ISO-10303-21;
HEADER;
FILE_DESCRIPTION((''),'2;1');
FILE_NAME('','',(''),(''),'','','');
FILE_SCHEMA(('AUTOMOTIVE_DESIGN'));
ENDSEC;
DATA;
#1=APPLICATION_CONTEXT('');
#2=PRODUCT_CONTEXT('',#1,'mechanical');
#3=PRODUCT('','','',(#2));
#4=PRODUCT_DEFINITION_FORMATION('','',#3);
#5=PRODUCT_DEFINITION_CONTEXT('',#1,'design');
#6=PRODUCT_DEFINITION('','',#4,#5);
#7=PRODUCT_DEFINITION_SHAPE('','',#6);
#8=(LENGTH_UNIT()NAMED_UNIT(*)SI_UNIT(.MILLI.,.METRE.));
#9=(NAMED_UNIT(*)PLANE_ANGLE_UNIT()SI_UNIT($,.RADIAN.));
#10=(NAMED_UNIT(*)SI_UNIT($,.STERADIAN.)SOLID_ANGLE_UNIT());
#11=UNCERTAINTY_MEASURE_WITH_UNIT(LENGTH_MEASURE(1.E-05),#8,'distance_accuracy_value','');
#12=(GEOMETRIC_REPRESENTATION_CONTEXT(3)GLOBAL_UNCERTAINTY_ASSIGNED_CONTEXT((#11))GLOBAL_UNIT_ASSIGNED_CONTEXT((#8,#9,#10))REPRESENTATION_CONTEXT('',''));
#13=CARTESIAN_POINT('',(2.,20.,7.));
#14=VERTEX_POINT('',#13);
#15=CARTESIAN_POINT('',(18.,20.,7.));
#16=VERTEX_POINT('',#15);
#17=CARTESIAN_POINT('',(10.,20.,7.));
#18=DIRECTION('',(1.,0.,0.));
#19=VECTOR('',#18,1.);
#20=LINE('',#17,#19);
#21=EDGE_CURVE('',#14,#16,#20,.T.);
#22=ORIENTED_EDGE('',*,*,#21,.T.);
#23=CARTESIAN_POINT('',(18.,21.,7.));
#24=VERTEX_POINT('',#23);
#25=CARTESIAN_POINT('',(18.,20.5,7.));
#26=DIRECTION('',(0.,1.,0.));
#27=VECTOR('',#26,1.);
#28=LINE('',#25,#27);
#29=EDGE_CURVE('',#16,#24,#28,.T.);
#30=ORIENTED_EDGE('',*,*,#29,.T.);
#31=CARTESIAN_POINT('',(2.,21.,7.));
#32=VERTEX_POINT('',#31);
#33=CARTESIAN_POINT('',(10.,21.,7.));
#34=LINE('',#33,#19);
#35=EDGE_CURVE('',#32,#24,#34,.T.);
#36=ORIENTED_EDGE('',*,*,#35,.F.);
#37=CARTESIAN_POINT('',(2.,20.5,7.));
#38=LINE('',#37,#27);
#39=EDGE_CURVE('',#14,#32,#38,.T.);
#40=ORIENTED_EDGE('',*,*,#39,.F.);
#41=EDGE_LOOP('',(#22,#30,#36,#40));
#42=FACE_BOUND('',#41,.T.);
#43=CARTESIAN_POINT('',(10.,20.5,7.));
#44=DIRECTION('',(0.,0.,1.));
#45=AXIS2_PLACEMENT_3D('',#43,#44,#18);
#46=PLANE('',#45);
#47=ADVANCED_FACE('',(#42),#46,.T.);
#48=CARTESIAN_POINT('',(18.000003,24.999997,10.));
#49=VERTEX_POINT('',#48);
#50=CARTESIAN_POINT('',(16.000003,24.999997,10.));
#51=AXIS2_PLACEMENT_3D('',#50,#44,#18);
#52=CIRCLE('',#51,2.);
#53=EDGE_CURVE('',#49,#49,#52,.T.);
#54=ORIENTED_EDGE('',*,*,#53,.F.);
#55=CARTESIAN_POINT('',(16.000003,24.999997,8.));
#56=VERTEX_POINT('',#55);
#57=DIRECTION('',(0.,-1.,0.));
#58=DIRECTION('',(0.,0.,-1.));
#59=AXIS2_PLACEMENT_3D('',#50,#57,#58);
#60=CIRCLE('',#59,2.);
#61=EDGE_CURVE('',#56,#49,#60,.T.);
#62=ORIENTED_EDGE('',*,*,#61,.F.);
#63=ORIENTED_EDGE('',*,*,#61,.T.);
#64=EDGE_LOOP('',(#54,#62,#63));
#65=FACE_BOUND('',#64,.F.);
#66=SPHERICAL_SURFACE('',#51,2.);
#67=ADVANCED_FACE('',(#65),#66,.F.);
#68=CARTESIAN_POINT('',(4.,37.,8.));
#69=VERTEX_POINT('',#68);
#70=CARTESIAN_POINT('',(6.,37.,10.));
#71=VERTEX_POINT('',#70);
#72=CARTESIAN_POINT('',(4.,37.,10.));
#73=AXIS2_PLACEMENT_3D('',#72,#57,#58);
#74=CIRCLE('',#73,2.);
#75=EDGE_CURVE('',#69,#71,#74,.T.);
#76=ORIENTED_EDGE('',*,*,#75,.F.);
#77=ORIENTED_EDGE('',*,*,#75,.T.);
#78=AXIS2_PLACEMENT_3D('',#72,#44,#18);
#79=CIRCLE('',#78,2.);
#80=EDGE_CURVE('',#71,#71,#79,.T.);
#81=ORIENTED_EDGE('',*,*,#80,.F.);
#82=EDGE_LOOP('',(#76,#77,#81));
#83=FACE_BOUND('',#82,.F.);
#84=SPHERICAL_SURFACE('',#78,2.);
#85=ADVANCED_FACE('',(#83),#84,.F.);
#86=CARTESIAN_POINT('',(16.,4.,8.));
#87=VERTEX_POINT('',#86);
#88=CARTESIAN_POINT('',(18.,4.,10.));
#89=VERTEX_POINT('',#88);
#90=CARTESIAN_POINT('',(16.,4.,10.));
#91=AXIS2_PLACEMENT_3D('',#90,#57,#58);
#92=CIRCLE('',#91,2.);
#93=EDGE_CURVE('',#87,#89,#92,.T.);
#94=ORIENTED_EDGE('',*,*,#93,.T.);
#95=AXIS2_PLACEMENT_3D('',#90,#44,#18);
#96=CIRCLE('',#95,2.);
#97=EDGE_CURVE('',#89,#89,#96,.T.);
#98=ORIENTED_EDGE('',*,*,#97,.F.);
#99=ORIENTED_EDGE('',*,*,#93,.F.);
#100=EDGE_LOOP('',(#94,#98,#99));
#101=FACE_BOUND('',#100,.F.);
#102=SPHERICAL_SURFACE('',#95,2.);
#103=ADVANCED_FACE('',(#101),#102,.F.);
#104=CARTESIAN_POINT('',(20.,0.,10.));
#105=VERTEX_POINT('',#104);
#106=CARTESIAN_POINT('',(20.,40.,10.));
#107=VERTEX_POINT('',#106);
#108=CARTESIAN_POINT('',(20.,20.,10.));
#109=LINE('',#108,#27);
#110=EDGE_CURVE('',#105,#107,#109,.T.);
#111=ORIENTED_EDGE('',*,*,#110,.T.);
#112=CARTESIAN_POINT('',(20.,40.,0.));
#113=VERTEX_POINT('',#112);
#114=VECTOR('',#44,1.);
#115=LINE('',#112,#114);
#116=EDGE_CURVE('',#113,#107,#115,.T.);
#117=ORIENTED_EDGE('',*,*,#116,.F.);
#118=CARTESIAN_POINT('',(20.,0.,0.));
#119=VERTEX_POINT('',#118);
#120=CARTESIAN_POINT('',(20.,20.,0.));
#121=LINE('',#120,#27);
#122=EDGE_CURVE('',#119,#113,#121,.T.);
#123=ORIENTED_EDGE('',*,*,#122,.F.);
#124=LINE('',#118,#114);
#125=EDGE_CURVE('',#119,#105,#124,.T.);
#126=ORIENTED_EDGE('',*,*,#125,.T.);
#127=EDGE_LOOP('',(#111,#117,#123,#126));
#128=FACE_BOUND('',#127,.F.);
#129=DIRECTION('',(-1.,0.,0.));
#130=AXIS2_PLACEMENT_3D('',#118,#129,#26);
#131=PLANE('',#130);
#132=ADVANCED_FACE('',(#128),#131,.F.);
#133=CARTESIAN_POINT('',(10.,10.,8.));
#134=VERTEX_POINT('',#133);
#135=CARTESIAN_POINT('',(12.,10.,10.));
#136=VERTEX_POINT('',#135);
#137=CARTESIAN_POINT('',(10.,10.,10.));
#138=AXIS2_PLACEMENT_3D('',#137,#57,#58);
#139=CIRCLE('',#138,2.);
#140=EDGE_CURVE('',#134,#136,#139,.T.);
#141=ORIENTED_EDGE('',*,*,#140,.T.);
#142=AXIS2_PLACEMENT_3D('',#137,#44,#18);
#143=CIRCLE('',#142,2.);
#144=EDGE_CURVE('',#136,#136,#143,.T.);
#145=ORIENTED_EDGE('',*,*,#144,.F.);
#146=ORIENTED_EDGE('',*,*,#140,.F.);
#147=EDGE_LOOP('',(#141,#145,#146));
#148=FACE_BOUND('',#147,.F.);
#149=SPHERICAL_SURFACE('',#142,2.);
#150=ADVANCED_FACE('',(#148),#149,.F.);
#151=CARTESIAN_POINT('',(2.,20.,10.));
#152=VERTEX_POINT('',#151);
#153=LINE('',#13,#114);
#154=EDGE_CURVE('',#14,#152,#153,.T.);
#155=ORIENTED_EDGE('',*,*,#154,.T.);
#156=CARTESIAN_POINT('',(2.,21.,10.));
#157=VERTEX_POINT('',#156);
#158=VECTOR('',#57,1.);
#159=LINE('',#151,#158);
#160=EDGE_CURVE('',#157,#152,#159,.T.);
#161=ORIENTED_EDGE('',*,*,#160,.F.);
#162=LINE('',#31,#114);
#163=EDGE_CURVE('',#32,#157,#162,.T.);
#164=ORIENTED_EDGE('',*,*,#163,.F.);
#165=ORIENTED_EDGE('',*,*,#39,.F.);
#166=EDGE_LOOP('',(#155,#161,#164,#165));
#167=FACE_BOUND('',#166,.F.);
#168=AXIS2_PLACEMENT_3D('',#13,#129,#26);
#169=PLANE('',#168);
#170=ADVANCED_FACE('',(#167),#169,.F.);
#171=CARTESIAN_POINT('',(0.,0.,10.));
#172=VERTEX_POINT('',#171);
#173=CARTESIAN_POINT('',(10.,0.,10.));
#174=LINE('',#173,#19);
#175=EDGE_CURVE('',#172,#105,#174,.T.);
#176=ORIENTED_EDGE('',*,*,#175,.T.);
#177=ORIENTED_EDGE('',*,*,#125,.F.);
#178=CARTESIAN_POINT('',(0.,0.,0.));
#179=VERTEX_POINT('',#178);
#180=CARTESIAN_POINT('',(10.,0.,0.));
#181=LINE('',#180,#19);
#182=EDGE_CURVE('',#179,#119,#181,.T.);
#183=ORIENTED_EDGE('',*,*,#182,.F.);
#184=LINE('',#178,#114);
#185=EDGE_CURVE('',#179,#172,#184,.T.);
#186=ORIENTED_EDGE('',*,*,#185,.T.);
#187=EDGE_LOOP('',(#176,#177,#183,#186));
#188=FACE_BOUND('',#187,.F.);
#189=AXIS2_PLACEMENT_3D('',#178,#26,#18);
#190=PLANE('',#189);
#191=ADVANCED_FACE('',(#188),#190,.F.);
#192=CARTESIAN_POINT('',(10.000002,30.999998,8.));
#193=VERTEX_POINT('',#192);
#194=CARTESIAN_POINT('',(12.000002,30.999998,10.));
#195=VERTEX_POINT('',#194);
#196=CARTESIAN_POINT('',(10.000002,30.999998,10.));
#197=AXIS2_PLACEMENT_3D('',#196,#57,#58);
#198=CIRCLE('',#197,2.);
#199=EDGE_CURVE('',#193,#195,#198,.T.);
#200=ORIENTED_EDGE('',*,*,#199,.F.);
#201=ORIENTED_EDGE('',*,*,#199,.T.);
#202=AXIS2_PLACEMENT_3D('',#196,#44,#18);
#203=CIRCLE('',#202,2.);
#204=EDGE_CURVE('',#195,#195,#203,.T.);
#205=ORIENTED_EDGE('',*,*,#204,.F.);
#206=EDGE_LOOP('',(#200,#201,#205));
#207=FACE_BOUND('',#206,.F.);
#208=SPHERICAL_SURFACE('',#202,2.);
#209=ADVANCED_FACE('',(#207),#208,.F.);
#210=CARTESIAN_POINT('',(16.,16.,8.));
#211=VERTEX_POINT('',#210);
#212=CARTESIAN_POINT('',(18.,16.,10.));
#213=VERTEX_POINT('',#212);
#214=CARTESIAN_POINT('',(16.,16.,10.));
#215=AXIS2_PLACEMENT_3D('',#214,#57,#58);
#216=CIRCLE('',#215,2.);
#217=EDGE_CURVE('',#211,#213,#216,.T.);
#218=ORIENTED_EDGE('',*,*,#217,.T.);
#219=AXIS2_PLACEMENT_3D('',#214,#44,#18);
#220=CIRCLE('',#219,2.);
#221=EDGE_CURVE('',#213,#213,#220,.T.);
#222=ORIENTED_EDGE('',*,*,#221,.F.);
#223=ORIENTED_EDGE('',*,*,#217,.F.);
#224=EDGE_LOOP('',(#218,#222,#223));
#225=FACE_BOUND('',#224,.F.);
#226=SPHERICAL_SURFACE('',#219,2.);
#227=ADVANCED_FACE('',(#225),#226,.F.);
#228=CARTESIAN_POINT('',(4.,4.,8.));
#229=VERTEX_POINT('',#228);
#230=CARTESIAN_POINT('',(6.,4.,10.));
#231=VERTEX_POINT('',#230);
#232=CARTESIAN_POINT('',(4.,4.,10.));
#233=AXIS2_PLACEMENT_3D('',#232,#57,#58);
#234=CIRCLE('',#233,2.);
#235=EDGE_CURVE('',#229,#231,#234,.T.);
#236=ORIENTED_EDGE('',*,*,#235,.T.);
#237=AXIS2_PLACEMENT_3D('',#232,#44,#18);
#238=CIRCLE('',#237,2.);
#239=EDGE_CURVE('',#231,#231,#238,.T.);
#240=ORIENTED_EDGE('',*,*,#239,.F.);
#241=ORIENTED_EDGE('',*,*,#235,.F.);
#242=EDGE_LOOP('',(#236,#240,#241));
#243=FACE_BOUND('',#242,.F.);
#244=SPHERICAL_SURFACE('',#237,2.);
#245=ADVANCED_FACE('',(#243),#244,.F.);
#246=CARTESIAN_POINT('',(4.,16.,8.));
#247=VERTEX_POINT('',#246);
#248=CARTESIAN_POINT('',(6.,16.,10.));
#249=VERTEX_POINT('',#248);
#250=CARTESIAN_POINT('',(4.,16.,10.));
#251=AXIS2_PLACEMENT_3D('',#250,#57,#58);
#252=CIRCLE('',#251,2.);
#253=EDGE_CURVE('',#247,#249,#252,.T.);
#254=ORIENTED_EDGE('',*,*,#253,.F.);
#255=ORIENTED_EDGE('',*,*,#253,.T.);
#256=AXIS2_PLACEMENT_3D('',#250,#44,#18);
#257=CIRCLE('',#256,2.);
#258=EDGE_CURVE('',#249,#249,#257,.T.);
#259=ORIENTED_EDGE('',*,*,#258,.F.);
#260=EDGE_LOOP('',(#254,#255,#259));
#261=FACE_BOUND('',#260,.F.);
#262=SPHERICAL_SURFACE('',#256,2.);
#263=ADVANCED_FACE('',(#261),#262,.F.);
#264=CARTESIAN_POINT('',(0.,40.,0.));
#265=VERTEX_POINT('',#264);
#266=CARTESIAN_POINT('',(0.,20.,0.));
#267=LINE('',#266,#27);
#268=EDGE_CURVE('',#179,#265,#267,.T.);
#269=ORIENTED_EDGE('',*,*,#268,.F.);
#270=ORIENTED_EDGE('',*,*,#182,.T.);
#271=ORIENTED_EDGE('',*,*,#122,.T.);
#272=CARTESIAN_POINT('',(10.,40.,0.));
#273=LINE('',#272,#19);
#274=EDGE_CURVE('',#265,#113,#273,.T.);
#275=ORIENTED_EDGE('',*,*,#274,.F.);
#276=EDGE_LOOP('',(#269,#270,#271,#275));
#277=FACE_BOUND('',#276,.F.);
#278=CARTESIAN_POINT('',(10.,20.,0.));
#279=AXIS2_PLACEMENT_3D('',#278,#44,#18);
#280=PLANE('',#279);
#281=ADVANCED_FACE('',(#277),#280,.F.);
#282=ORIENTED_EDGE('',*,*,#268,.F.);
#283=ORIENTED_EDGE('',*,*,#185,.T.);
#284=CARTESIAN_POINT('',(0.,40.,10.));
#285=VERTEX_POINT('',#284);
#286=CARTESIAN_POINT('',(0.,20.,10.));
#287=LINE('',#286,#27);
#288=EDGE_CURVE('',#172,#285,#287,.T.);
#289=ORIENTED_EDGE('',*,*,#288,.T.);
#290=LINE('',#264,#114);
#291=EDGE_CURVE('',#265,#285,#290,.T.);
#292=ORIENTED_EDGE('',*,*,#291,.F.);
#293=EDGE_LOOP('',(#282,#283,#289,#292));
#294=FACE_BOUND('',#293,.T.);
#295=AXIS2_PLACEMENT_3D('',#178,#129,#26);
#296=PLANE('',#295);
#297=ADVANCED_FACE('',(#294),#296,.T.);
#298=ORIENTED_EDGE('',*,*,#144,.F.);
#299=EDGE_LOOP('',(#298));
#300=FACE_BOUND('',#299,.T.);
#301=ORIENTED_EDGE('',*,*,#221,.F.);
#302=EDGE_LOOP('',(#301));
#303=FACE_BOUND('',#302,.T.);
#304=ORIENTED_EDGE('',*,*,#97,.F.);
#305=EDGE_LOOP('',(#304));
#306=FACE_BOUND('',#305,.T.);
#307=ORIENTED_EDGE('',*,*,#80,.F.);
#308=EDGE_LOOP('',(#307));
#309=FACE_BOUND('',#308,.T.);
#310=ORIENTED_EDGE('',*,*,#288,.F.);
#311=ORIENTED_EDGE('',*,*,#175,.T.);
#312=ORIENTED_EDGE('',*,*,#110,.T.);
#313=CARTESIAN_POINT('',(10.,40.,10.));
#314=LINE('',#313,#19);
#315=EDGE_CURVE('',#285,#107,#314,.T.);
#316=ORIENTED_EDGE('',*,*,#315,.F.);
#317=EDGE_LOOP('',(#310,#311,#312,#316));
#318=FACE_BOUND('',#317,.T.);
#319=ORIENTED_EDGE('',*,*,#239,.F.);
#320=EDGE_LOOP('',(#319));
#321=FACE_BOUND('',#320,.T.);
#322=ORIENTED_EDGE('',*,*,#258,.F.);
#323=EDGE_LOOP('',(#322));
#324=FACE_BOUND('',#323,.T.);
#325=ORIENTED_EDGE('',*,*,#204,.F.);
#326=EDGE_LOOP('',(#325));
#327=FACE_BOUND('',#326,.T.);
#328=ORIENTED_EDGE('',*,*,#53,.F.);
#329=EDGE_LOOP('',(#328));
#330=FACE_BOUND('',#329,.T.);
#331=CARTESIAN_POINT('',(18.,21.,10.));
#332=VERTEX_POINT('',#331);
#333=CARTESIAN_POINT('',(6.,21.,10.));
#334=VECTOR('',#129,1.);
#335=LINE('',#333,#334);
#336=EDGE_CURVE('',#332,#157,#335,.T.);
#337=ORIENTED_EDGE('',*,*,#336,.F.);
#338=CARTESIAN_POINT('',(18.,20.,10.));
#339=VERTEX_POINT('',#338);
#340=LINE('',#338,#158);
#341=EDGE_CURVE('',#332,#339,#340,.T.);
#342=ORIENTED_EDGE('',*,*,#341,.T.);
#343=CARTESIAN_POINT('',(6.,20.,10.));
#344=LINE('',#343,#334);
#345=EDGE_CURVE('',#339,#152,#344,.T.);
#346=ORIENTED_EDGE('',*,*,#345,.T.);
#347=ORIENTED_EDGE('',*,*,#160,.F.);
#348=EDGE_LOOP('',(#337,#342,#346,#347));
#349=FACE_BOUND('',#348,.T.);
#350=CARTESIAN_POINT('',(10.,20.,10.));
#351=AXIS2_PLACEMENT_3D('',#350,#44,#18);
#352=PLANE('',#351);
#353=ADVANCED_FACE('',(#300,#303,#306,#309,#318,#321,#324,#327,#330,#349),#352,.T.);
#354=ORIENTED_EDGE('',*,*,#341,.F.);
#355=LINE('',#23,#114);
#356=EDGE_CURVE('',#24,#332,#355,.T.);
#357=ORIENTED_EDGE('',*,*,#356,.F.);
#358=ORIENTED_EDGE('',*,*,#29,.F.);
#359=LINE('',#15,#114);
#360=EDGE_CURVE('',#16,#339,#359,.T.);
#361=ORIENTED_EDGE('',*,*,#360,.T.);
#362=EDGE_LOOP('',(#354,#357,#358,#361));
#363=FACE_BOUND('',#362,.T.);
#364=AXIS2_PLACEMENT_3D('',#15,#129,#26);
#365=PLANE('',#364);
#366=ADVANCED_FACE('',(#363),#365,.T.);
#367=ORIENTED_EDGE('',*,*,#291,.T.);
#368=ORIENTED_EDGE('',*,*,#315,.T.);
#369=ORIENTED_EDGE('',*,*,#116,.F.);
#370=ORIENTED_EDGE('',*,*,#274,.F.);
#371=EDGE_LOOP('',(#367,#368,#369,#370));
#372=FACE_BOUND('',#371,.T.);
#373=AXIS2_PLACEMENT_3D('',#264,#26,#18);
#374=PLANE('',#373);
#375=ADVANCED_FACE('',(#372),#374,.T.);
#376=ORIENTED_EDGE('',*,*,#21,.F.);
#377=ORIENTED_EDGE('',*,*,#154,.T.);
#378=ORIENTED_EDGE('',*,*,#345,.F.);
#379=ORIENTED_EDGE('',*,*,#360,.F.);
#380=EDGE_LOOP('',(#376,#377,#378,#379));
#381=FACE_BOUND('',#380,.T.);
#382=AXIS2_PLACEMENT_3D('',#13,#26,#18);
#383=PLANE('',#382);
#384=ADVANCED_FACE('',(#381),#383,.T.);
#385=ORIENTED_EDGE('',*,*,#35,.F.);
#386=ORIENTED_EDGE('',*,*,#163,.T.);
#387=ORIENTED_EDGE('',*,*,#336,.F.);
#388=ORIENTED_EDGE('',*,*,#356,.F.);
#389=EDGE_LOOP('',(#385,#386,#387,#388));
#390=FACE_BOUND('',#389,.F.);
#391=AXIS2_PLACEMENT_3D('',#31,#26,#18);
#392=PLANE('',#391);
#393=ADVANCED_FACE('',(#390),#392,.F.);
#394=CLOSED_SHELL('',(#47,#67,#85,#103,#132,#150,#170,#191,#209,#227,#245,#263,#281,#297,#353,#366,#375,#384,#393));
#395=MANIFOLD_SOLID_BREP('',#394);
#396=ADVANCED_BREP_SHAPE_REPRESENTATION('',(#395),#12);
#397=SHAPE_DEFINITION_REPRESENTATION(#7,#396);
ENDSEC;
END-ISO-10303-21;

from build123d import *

# Parameters (mm, degrees)
ARRAY_X_COUNT    = 3
ARRAY_X_PITCH    = 8.485281
ARRAY001_X_COUNT = 2
ARRAY001_X_PITCH = 12
ARRAY001_Y_COUNT = 2
ARRAY001_Y_PITCH = 12
BOX001_W         = 16
BOX001_H         = 1
BOX001_DEPTH     = 4
BOX_W            = 20
BOX_H            = 40
BOX_DEPTH        = 10


with BuildPart() as numero3:
    # Sphere → Sphere (revolve)
    with BuildSketch(Plane(origin=(4, 37, 10), x_dir=(1, 0, 0), z_dir=(0, -1, 0))):
        with BuildLine():
            ThreePointArc((0, -2), (2, 0), (0, 2))
            Line((0, 2), (0, -2))
        make_face()
    revolve(axis=Axis((4, 37, 10), (0, 0, 1)))

    # Array X: numero3 ×3


with BuildPart() as numero3_1:
    add(numero3.part)
    with Locations(*[Vector(0.707107, -0.707107, 0) * (i * ARRAY_X_PITCH) for i in range(1, ARRAY_X_COUNT)]):
        add(numero3.part)


with BuildPart() as array001:
    # Sphere001 → Sphere001 (revolve)
    with BuildSketch(Plane.XZ):
        with BuildLine():
            ThreePointArc((0, -2), (2, 0), (0, 2))
            Line((0, 2), (0, -2))
        make_face()
    revolve(axis=Axis((0, 0, 0), (0, 0, 1)))

    # Array001 X: Array001 ×2


with BuildPart() as array001_1:
    add(array001.part)
    with Locations(*[(i * ARRAY001_X_PITCH, 0, 0) for i in range(1, ARRAY001_X_COUNT)]):
        add(array001.part)

    # Array001 Y: Array001 ×2


with BuildPart() as array001_2:
    add(array001_1.part)
    with Locations(*[(0, i * ARRAY001_Y_PITCH, 0) for i in range(1, ARRAY001_Y_COUNT)]):
        add(array001_1.part)


with BuildPart() as array001_3:
    # Array001 placement: moved
    add(array001_2.part.moved(Location((4, 4, 10))))


with BuildPart() as sphere002:
    # Sphere002 → Sphere002 (revolve)
    with BuildSketch(Plane(origin=(10, 10, 10), x_dir=(1, 0, 0), z_dir=(0, -1, 0))):
        with BuildLine():
            ThreePointArc((0, -2), (2, 0), (0, 2))
            Line((0, 2), (0, -2))
        make_face()
    revolve(axis=Axis((10, 10, 10), (0, 0, 1)))


with BuildPart() as cube:
    # Box001 → Box001 (new body)
    with BuildSketch(Plane(origin=(2, 20, 7), x_dir=(1, 0, 0), z_dir=(0, 0, 1))):
        with Locations((8, 0.5)):
            Rectangle(BOX001_W, BOX001_H)
    extrude(amount=BOX001_DEPTH)


with BuildPart() as cut003:
    # Box → Box (new body)
    with BuildSketch(Plane.XY):
        with Locations((10, 20)):
            Rectangle(BOX_W, BOX_H)
    extrude(amount=BOX_DEPTH)

    # Cut: cut Cube
    add(cube.part, mode=Mode.SUBTRACT)

    # Cut001: cut Sphere002
    add(sphere002.part, mode=Mode.SUBTRACT)

    # Cut002: cut Array001
    add(array001_3.part, mode=Mode.SUBTRACT)

    # Cut003: cut numero3
    add(numero3_1.part, mode=Mode.SUBTRACT)


solid = cut003.part
